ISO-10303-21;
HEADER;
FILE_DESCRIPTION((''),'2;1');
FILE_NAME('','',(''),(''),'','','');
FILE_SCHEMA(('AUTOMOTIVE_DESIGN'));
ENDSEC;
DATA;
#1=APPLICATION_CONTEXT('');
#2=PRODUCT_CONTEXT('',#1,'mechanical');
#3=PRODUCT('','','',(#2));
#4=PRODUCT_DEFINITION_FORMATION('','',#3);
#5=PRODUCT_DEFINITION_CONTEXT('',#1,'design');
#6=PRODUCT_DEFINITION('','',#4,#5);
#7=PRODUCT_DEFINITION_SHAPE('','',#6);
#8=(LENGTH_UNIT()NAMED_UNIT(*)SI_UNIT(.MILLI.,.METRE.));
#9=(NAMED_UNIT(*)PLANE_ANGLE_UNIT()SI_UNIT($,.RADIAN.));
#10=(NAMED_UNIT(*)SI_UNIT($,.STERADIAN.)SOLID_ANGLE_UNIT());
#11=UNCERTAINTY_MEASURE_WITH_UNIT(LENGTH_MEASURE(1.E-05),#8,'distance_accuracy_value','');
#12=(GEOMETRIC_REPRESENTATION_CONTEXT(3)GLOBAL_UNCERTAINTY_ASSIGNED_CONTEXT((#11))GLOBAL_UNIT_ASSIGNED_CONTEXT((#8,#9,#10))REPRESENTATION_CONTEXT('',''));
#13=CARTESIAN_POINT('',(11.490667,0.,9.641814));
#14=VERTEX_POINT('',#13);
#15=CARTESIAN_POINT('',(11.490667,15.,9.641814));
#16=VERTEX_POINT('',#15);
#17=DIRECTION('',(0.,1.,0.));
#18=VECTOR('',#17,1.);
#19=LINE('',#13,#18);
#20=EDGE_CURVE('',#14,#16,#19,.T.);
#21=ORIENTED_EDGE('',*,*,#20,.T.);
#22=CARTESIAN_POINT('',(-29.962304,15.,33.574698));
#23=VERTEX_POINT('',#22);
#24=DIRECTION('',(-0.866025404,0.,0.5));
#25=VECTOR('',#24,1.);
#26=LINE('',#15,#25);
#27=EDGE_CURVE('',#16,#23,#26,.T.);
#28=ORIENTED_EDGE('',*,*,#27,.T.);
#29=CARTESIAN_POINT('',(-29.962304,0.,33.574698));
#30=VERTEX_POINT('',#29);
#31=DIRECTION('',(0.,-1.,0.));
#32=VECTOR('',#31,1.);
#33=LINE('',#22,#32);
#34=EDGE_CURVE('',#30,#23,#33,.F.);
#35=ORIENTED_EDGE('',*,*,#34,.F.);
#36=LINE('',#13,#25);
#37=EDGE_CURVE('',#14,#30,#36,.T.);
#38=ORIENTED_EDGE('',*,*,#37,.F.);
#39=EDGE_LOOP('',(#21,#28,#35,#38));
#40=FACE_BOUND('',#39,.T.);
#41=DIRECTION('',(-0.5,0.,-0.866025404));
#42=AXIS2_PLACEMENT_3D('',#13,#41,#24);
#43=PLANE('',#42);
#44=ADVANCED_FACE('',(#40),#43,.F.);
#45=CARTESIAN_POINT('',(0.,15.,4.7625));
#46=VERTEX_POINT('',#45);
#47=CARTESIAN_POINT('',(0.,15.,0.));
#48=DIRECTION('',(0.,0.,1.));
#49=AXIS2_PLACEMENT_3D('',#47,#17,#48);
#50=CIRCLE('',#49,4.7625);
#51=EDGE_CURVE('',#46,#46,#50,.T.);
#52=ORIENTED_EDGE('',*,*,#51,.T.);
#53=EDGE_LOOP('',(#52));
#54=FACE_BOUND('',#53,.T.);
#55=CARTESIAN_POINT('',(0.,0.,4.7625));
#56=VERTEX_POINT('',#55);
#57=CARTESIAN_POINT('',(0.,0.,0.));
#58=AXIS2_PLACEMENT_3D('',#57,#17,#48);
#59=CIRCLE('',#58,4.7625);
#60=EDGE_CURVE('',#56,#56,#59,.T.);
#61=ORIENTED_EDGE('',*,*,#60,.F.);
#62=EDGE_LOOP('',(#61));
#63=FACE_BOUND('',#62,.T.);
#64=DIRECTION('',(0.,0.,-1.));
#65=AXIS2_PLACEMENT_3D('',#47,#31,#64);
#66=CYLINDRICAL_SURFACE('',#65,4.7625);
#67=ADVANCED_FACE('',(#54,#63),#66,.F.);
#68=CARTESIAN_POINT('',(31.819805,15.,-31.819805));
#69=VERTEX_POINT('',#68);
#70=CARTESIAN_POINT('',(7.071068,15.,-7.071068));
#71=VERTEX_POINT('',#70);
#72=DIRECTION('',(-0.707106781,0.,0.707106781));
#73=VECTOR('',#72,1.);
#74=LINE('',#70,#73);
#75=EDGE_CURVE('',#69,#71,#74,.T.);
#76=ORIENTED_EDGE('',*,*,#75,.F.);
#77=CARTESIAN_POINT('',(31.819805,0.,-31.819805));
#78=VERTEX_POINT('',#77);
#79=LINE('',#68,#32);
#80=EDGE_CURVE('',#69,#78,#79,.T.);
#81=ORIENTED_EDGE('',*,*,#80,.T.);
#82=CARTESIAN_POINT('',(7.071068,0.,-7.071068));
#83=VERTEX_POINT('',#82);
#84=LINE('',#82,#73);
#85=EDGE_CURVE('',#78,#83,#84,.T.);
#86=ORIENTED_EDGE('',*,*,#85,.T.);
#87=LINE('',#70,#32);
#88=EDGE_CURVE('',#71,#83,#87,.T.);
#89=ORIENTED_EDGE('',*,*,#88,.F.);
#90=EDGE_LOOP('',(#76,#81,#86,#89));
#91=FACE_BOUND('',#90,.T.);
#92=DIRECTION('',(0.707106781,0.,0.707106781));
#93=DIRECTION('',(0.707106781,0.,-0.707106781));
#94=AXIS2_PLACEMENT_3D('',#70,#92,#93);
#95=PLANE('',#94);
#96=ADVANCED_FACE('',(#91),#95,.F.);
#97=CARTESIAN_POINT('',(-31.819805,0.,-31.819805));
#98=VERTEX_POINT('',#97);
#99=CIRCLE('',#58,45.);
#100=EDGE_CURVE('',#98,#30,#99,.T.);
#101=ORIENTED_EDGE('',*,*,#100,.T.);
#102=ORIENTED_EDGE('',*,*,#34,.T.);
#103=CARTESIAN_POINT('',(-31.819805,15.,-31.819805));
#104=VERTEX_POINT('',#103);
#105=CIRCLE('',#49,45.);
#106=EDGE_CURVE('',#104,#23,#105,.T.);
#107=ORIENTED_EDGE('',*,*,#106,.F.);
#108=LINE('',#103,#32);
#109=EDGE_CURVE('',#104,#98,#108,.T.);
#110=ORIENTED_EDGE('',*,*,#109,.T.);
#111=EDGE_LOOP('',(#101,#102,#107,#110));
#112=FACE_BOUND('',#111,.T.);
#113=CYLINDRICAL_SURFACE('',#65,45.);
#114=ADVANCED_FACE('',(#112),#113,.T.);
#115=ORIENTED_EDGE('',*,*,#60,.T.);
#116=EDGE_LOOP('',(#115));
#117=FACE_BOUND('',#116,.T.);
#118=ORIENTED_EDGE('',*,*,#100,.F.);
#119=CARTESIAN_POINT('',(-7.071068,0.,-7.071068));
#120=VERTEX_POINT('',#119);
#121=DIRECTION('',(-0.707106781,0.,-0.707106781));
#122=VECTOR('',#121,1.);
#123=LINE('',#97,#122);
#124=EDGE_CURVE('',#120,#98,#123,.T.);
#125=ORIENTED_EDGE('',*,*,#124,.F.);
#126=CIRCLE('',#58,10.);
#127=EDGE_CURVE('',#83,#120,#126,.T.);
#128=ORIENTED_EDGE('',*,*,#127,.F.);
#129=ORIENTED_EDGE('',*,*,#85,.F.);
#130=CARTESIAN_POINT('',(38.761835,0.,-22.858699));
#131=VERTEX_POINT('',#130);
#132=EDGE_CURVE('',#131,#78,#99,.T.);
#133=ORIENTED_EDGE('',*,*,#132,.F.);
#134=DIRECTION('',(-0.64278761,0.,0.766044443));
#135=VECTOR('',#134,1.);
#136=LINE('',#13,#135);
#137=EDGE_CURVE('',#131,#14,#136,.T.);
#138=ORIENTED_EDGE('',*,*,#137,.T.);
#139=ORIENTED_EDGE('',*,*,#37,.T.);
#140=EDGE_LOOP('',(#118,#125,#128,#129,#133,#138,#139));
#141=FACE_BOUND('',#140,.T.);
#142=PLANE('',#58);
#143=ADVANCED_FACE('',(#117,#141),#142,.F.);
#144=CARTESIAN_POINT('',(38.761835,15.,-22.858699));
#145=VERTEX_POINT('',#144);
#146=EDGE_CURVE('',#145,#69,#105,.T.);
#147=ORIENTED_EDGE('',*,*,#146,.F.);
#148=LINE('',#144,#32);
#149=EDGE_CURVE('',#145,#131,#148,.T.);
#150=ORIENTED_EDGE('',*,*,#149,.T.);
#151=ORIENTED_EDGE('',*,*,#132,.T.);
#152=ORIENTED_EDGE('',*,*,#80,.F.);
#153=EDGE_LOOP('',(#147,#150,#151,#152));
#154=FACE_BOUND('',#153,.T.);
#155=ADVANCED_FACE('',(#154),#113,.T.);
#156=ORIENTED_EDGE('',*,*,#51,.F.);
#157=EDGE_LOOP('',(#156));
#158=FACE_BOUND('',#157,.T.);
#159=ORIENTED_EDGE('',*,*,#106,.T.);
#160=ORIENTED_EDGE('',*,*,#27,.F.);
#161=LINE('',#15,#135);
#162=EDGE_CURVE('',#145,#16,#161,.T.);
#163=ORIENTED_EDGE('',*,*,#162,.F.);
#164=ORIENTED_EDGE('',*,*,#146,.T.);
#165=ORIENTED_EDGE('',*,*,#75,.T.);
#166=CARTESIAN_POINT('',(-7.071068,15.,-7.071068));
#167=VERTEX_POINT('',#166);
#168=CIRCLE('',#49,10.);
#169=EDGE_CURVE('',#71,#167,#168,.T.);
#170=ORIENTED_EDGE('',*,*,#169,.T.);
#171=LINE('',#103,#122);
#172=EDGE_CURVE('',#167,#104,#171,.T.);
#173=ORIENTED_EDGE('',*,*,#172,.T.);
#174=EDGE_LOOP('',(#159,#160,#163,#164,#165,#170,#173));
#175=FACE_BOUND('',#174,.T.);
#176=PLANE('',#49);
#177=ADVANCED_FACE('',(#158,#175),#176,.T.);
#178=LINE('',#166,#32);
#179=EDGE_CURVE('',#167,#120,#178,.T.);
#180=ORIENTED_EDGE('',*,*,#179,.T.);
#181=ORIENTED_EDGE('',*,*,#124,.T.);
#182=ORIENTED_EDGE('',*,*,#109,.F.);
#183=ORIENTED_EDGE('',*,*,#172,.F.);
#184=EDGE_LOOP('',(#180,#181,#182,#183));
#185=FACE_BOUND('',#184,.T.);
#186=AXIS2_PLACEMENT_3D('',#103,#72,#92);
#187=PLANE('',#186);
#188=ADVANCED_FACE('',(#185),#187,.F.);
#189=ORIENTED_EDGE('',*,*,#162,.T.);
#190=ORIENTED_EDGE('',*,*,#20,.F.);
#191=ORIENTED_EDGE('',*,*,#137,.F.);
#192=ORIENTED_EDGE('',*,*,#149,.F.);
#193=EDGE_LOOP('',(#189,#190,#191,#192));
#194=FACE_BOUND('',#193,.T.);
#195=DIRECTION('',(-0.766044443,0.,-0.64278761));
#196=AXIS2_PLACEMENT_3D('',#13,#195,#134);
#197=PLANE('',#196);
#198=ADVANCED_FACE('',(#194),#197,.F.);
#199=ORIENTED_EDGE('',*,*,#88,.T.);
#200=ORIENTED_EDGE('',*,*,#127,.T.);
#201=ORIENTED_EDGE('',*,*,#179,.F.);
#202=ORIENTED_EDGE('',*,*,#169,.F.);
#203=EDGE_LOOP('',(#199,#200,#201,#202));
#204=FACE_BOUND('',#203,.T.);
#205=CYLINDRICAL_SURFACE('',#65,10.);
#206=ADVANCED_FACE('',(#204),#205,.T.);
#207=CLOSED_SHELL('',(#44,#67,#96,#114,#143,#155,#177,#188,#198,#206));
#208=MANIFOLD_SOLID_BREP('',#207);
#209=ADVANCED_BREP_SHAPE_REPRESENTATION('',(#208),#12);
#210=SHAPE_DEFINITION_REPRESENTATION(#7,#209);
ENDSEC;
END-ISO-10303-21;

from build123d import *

# Parameters (mm, degrees)
SKETCH1_R           = 4.7625
BOSS_EXTRUDE1_DEPTH = 15
CUT_EXTRUDE1_DEPTH  = 66.383484153


with BuildPart() as part:
    # Sketch1 → Boss-Extrude1 (new body)
    with BuildSketch(Plane(origin=(0, 0, 0), x_dir=(1, 0, 0), z_dir=(0, 1, 0))):
        with BuildLine():
            Line((-31.819805153, 31.819805153), (-7.071067812, 7.071067812))
            ThreePointArc((-7.071067812, 7.071067812), (0, 10), (7.071067812, 7.071067812))
            Line((7.071067812, 7.071067812), (31.819805153, 31.819805153))
            ThreePointArc((31.819805153, 31.819805153), (0, -45), (-31.819805153, 31.819805153))
        make_face()
        with Locations(Location((0, 0, 0), (0, 0, 270))):
            Circle(SKETCH1_R, mode=Mode.SUBTRACT)
    extrude(amount=BOSS_EXTRUDE1_DEPTH)

    # Sketch4 → Cut-Extrude1 (cut, through all)
    with BuildSketch(Plane(origin=(0, 15, 0), x_dir=(1, 0, 0), z_dir=(0, 1, 0))):
        with BuildLine():
            Line((11.490666647, -9.641814145), (45.503789868, 30.893447649))
            ThreePointArc((45.503789868, 30.893447649), (34.992750198, -42.432386612), (-38.992939572, -38.788537785))
            Line((-38.992939572, -38.788537785), (11.490666647, -9.641814145))
        make_face()
    extrude(amount=-CUT_EXTRUDE1_DEPTH, mode=Mode.SUBTRACT)


solid = part.part
